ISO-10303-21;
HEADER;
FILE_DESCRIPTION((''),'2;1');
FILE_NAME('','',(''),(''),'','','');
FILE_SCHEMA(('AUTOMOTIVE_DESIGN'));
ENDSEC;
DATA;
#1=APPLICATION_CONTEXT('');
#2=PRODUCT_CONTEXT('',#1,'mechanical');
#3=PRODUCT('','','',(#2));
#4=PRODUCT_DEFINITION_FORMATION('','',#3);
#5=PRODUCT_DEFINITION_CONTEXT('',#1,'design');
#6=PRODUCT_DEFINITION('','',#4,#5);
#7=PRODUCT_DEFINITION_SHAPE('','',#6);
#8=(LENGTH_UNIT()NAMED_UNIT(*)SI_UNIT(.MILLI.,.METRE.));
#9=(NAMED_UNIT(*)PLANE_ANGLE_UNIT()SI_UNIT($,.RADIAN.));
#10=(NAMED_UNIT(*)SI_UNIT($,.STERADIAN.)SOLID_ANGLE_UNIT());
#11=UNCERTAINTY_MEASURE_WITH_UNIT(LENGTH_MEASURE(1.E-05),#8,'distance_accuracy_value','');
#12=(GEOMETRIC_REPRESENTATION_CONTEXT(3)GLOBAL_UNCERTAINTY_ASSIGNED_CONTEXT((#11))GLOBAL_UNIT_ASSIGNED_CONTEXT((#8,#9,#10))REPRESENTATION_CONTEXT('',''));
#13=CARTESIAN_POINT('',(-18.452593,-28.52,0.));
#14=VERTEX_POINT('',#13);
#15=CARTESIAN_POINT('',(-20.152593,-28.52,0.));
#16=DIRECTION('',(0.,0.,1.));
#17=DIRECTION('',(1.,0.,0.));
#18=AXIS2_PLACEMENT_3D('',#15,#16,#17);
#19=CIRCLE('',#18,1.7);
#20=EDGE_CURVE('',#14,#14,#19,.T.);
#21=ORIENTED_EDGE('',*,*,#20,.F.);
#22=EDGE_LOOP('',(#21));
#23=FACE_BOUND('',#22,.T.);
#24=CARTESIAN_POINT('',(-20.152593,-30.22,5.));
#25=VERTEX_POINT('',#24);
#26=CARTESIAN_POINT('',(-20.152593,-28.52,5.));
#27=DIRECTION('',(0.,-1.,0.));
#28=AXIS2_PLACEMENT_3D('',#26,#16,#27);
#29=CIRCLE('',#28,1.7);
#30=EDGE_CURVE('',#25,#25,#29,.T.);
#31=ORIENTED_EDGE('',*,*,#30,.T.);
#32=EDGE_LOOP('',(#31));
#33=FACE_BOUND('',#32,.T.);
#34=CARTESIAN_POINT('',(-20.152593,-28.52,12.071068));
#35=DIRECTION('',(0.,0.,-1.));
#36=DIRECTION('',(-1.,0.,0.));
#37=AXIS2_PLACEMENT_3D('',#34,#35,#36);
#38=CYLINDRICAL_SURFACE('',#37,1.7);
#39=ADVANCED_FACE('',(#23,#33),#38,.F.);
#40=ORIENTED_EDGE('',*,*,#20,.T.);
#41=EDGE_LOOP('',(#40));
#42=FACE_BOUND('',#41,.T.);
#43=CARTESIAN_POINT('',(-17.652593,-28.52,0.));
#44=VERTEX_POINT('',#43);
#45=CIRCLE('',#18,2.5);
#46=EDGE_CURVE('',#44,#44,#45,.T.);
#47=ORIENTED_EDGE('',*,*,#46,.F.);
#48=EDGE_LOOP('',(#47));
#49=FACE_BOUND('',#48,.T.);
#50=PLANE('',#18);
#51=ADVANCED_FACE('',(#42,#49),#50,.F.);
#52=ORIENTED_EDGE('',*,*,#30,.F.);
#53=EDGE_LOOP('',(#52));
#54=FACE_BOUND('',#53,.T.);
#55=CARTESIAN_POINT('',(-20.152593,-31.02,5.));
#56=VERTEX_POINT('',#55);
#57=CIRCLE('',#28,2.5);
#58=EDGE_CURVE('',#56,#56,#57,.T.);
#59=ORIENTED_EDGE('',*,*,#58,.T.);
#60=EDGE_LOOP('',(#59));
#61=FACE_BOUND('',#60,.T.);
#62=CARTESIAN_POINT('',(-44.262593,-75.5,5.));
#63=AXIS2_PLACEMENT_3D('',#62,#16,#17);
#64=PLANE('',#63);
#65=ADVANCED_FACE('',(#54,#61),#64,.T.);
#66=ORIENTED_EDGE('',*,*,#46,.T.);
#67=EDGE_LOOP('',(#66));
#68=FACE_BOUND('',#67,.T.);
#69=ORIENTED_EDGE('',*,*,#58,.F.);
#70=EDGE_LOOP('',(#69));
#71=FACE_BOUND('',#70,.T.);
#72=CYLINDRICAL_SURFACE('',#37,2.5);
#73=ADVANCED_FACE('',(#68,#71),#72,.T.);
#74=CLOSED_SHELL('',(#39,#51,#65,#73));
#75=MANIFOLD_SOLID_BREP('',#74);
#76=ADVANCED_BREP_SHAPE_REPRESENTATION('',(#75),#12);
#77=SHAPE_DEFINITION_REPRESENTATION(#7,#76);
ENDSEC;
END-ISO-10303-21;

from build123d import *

# Parameters (mm, degrees)
ESQUISSE1_R        = 2.5
ESQUISSE1_R_2      = 1.7
BOSS_EXTRU_1_DEPTH = 5


with BuildPart() as part:
    # Esquisse1 → Boss.-Extru.1 (new body)
    with BuildSketch(Plane.XY):
        with Locations((-20.152592566, -28.52)):
            Circle(ESQUISSE1_R)
        with Locations((-20.152592566, -28.52)):
            Circle(ESQUISSE1_R_2, mode=Mode.SUBTRACT)
    extrude(amount=BOSS_EXTRU_1_DEPTH)


solid = part.part
